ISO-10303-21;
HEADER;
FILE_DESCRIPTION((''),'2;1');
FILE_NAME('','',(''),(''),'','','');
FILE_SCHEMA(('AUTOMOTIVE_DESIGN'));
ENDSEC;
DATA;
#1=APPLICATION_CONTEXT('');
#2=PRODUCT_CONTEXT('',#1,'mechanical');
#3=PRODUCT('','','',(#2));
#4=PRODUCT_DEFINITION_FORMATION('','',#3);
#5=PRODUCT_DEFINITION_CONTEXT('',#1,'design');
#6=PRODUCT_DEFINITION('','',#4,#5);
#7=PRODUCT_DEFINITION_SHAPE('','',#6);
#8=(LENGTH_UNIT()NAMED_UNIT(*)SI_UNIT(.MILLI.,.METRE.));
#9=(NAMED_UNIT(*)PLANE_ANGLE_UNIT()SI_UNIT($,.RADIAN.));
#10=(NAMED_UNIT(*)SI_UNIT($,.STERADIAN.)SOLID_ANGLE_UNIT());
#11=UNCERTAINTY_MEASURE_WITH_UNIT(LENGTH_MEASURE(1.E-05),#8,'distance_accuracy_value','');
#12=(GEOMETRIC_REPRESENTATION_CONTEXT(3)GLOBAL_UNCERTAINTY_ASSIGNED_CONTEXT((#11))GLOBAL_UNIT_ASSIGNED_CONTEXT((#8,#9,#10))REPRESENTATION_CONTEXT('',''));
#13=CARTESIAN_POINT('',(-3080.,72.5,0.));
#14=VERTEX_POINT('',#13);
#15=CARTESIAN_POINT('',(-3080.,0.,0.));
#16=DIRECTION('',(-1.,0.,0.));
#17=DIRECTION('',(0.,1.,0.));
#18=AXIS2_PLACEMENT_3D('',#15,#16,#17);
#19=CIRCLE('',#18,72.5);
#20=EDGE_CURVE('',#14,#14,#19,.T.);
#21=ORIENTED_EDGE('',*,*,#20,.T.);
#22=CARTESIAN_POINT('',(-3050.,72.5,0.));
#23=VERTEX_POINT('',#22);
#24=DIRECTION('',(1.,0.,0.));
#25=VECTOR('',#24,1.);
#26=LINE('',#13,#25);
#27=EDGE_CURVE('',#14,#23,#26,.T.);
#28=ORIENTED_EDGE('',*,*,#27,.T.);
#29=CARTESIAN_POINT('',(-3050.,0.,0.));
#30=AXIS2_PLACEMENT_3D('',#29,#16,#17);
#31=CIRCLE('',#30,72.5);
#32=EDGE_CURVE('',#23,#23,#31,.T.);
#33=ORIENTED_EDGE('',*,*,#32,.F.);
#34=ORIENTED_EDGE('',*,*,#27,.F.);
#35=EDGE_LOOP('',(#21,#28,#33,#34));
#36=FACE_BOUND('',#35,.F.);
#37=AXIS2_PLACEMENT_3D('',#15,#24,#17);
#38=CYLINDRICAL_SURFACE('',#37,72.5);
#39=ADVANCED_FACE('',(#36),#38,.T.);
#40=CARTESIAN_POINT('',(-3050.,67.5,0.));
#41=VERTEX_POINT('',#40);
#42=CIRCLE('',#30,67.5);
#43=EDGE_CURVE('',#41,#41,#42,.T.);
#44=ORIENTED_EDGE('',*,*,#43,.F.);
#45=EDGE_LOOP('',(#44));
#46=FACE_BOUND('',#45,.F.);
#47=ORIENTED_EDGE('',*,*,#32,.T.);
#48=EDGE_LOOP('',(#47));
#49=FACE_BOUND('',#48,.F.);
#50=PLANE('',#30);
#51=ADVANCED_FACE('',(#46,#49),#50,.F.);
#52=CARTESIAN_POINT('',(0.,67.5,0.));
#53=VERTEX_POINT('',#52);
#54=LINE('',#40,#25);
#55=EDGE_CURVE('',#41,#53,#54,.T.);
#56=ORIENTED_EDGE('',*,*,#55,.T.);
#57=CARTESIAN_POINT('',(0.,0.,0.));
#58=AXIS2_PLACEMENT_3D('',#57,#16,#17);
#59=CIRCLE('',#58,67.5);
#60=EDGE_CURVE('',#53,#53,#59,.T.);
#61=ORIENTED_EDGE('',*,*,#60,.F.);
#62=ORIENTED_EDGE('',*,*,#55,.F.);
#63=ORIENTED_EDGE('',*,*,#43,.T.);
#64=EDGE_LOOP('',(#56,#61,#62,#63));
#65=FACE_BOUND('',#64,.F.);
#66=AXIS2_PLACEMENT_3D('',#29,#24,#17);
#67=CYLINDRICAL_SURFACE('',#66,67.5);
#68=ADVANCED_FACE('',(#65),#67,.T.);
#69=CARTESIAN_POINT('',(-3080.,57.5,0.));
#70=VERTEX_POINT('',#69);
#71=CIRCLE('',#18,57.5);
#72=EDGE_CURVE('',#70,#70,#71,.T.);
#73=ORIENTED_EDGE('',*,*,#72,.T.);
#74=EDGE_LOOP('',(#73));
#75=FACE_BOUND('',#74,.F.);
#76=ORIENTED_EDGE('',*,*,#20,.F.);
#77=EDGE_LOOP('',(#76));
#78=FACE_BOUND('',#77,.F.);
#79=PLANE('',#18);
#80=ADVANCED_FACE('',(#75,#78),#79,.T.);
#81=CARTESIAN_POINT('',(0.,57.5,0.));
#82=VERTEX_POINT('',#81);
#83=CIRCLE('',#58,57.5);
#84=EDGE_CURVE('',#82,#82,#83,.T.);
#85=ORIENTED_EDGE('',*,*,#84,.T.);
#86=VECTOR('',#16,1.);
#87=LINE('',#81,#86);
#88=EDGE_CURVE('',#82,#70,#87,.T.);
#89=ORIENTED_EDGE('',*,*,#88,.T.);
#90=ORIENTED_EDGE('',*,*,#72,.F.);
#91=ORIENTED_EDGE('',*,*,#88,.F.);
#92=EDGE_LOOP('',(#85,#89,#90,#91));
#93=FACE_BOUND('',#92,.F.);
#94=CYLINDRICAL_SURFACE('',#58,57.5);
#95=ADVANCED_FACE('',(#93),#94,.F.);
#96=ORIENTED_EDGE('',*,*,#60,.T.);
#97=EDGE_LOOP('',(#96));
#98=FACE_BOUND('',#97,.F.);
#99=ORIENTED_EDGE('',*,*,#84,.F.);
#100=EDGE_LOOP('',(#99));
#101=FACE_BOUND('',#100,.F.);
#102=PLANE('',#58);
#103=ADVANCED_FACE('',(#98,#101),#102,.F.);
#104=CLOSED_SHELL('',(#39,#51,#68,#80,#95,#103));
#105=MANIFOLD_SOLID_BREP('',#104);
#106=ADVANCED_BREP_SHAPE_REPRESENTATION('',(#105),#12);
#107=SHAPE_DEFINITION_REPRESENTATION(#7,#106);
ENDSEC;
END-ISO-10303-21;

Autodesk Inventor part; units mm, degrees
ref_plane "YZ Plane" through (0, 0, 0) normal (1, 0, 0) x (0, 1, 0)
ref_plane "XZ Plane" through (0, 0, 0) normal (0, 1, 0) x (-1, 0, 0)
ref_plane "XY Plane" through (0, 0, 0) normal (0, 0, 1) x (1, 0, 0)
sketch "Эскиз1" plane through (0, 0, 0) normal (0, 0, 1) x (1, 0, 0)
  line L0 (0, 0) -> (-1408.8676, 0)
  line L1 (-3080, 0) -> (-3080, 72.5)
  line L2 (-3080, 72.5) -> (-3050, 72.5)
  line L3 (-3050, 72.5) -> (-3050, 67.5)
  line L4 (-3050, 67.5) -> (0, 67.5)
  line L5 (0, 67.5) -> (0, 0)
  line L6 (0, 57.5) -> (-3080, 57.5)
  dimension "d0" = 115
  dimension "d1" = 135
  dimension "d2" = 145
  dimension "d3" = 30
  dimension "d4" = 3080
revolve "Вращение1" add sketch "Эскиз1" angle 360 about axis through (0, 0, 0) along (-1, 0, 0)
properties part number "Lift.02.00.00.03" material "Сталь нержавеющая, 440C"
